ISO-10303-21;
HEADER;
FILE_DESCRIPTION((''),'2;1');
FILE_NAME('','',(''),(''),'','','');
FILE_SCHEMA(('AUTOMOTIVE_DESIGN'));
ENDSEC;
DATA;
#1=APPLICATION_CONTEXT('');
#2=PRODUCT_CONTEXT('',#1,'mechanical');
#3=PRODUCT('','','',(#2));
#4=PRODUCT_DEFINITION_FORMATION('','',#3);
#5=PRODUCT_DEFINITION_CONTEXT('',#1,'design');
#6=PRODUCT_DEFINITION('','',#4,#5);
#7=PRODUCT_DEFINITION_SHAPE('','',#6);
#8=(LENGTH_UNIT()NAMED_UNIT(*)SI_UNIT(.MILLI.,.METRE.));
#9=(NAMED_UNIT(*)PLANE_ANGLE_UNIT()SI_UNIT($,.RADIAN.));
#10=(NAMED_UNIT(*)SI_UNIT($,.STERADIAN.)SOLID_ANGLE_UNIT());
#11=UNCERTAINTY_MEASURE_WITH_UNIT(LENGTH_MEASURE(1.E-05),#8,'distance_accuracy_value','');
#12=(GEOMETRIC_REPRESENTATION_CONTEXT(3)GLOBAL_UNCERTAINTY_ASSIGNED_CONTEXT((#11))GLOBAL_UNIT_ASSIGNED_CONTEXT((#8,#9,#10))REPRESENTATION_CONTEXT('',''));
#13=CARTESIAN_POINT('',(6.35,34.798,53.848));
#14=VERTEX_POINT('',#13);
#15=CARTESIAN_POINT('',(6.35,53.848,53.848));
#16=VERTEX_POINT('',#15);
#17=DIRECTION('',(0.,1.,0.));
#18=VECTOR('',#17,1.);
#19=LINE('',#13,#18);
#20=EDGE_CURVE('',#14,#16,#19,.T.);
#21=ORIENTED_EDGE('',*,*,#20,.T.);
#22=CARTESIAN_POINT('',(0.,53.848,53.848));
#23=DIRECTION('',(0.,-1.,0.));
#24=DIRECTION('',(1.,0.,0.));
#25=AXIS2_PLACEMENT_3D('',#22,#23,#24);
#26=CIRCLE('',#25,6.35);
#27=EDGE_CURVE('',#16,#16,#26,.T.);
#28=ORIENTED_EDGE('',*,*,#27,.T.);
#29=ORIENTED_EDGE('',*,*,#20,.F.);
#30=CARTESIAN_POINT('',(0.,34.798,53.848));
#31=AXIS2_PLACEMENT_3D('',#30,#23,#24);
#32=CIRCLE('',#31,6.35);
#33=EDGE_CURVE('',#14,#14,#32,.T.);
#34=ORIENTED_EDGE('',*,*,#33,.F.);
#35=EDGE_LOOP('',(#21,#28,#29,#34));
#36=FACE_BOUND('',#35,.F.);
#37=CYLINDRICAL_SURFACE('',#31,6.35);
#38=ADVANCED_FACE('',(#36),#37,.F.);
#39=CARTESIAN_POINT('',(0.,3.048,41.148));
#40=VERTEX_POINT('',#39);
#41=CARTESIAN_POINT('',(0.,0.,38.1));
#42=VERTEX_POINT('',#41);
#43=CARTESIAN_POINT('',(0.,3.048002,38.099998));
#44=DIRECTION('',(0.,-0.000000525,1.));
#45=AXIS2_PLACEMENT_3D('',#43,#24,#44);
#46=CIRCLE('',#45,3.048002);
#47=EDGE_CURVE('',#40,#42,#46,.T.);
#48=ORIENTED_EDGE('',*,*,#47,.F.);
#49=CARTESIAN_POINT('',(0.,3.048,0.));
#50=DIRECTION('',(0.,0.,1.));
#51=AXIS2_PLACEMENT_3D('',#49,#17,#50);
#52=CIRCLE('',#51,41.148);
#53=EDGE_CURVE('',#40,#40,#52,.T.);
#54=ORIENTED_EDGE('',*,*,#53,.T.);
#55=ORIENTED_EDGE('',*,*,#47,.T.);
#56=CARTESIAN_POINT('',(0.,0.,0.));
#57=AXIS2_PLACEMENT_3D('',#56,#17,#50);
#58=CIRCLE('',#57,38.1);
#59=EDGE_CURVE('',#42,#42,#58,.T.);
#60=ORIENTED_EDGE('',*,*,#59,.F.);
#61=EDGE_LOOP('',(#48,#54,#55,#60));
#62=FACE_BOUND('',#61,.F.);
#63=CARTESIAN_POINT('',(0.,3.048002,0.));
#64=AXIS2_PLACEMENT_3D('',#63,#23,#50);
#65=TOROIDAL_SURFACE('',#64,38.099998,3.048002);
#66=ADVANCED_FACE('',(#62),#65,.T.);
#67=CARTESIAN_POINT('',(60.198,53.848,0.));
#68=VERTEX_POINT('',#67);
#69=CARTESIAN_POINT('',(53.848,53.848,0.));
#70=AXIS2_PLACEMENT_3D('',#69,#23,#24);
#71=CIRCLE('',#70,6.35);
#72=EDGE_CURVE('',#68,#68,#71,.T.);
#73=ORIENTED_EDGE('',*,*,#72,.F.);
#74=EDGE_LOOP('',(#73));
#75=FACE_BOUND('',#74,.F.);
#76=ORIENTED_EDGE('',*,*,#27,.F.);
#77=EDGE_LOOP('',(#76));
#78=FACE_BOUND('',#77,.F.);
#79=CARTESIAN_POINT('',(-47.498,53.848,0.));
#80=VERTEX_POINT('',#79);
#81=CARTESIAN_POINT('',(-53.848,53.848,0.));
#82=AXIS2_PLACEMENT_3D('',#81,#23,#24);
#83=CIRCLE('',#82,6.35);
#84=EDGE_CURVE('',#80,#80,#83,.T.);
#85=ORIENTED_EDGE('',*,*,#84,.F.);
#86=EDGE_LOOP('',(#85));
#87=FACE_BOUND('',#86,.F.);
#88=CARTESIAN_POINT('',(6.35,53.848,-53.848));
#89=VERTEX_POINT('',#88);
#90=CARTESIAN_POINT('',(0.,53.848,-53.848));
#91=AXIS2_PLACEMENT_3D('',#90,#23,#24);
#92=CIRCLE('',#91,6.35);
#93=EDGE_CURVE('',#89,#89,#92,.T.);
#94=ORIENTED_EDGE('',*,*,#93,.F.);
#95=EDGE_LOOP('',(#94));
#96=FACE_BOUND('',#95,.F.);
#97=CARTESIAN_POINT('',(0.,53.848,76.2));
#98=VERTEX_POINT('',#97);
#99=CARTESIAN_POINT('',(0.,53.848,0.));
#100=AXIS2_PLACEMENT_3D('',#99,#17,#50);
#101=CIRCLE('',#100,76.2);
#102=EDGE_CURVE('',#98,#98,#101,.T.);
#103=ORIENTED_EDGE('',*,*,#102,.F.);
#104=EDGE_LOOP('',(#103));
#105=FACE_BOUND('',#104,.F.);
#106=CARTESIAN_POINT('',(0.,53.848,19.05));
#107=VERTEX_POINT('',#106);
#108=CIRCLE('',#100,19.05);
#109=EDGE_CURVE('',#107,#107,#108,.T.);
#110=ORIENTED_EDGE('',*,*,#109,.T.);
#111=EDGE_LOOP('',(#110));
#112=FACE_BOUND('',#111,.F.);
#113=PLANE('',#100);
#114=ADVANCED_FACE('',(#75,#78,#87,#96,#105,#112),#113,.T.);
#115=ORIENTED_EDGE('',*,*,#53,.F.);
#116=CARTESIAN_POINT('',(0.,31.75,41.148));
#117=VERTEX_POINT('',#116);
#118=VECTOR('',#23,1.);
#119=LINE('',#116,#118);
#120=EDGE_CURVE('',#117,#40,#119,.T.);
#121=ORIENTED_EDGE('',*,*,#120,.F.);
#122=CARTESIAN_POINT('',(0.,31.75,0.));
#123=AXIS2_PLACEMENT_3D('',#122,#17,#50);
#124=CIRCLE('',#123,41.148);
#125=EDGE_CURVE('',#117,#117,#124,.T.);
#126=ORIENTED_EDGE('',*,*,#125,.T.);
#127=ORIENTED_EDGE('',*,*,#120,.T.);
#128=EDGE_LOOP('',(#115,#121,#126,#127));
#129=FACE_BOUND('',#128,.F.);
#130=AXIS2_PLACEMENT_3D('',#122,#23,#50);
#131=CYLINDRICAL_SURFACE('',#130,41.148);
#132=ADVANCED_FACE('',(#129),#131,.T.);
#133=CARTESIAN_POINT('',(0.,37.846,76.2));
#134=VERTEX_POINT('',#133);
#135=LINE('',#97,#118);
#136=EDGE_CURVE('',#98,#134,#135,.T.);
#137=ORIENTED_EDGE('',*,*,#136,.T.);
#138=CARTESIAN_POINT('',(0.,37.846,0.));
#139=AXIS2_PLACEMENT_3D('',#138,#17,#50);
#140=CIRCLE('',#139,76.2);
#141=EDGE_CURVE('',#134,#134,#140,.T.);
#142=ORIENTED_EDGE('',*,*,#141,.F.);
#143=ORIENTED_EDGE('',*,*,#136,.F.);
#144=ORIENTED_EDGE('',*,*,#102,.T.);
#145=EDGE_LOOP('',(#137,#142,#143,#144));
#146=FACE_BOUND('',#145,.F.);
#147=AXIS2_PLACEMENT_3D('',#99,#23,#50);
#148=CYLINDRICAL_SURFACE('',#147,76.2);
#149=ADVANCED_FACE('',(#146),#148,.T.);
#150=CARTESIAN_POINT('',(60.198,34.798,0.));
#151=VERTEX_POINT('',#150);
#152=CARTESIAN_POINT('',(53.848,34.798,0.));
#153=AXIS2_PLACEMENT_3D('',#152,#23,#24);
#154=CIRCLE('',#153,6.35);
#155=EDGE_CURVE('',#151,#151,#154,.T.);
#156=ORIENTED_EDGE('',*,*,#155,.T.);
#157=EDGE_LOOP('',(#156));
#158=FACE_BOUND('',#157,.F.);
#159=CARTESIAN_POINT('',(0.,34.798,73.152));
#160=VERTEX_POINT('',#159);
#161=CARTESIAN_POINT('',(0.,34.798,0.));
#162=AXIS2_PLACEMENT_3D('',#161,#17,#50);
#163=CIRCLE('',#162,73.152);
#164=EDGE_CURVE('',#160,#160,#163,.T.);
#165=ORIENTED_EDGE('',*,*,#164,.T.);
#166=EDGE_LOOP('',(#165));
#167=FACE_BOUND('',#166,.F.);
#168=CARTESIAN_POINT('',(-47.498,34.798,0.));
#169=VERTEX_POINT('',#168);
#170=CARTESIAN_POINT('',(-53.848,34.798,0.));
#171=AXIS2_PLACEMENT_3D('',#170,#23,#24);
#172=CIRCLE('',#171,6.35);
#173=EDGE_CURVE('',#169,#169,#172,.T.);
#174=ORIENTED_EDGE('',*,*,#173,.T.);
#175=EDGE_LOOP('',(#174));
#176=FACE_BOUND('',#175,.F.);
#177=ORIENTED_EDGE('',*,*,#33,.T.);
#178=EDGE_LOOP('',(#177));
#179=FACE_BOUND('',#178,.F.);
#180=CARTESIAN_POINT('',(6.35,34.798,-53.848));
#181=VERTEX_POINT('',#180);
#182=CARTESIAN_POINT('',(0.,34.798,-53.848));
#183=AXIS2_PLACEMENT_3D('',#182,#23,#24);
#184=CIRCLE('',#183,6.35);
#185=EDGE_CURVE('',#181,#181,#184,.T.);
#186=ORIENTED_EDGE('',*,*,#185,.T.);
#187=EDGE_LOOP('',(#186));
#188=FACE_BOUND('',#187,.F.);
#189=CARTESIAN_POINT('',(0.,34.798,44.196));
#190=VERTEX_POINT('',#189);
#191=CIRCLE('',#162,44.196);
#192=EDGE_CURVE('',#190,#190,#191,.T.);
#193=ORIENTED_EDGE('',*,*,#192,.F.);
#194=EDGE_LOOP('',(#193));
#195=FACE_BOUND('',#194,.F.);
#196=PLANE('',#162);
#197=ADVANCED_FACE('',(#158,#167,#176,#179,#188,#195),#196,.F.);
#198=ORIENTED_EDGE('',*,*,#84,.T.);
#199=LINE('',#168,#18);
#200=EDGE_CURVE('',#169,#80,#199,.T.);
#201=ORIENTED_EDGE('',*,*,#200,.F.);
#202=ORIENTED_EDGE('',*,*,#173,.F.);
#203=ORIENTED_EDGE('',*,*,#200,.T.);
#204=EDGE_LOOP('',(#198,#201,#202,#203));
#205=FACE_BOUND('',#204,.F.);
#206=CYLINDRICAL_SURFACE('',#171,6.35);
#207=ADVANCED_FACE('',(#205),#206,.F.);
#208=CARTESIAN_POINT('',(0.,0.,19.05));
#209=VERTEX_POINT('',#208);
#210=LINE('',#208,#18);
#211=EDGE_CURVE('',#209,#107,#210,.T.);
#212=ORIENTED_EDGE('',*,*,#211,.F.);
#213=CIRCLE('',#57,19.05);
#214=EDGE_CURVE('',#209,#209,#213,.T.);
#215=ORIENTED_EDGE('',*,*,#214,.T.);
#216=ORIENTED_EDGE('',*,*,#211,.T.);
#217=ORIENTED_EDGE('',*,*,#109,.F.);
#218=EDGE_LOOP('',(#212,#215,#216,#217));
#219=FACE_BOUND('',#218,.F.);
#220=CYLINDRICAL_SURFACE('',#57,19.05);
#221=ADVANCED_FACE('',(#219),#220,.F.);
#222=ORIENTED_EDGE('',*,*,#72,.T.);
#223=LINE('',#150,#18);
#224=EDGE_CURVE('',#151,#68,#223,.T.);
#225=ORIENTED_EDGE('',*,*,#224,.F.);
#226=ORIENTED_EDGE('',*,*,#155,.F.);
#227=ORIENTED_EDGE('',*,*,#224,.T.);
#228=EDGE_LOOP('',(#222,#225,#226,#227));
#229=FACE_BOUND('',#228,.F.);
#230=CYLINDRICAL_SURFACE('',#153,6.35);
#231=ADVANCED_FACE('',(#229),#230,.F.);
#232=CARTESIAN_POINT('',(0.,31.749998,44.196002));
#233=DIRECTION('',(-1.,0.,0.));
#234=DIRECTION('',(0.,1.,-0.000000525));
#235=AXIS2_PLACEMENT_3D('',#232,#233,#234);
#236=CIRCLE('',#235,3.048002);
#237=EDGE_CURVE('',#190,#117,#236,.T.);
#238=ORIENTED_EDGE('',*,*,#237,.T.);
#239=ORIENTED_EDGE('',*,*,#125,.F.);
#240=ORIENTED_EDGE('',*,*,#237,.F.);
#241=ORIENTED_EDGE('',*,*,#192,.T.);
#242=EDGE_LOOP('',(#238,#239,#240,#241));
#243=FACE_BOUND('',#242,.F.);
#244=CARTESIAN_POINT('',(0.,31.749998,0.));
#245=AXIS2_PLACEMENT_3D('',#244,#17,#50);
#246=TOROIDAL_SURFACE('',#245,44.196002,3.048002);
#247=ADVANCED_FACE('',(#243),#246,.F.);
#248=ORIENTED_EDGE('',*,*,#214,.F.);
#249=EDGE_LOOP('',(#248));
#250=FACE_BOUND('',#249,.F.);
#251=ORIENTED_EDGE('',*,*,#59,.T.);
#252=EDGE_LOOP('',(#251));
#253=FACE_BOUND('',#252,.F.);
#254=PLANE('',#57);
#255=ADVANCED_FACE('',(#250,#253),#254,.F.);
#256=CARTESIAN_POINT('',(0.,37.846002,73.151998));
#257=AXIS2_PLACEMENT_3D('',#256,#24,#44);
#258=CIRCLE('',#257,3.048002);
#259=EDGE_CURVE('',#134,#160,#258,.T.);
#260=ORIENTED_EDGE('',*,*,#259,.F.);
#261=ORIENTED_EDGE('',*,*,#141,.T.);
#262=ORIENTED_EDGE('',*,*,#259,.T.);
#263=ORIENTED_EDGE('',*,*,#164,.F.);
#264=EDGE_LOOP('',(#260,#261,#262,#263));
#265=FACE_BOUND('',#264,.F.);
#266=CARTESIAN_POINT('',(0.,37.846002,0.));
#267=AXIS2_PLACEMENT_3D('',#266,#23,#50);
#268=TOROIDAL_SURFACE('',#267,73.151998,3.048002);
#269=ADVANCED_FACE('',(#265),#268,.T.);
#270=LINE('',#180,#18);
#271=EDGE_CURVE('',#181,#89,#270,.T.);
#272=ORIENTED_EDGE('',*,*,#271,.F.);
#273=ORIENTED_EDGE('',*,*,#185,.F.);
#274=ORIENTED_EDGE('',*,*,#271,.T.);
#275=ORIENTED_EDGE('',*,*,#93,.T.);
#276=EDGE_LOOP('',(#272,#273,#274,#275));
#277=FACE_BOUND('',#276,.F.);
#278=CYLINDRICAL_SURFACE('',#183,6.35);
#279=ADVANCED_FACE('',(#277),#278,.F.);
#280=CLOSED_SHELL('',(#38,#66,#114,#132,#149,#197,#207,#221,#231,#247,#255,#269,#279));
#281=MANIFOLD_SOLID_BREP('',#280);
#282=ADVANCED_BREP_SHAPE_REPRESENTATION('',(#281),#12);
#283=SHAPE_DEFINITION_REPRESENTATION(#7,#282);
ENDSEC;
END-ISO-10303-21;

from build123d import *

# Parameters (mm, degrees)
F2_R     = 6.35
F3_DEPTH = 19.051


with BuildPart() as f1:
    # F0 (on Right) → F1 (revolve)
    with BuildSketch(Plane.YZ):
        with BuildLine():
            Line((0, 19.05), (53.848, 19.05))
            Line((53.848, 19.05), (53.848, 76.2))
            Line((53.848, 76.2), (37.846, 76.2))
            ThreePointArc((37.846, 76.2), (35.690739, 75.307261), (34.798, 73.152))
            Line((34.798, 73.152), (34.798, 44.196))
            ThreePointArc((34.798, 44.196), (33.905261, 42.040739), (31.75, 41.148))
            Line((31.75, 41.148), (3.048, 41.148))
            ThreePointArc((3.048, 41.148), (0.892739, 40.255261), (0, 38.1))
            Line((0, 38.1), (0, 19.05))
        make_face()
    revolve(axis=Axis((0, 35.464443, 0), (0, 1, 0)))

    # F2 (on face) → F3 (cut, through all)
    with BuildSketch(Plane.XZ.offset(-34.798)):
        with Locations((0, 53.848)):
            Circle(F2_R)
        with Locations((53.848, 0)):
            Circle(F2_R)
        with Locations((0, -53.848)):
            Circle(F2_R)
        with Locations((-53.848, 0)):
            Circle(F2_R)
    extrude(amount=-F3_DEPTH, mode=Mode.SUBTRACT)


solid = f1.part
